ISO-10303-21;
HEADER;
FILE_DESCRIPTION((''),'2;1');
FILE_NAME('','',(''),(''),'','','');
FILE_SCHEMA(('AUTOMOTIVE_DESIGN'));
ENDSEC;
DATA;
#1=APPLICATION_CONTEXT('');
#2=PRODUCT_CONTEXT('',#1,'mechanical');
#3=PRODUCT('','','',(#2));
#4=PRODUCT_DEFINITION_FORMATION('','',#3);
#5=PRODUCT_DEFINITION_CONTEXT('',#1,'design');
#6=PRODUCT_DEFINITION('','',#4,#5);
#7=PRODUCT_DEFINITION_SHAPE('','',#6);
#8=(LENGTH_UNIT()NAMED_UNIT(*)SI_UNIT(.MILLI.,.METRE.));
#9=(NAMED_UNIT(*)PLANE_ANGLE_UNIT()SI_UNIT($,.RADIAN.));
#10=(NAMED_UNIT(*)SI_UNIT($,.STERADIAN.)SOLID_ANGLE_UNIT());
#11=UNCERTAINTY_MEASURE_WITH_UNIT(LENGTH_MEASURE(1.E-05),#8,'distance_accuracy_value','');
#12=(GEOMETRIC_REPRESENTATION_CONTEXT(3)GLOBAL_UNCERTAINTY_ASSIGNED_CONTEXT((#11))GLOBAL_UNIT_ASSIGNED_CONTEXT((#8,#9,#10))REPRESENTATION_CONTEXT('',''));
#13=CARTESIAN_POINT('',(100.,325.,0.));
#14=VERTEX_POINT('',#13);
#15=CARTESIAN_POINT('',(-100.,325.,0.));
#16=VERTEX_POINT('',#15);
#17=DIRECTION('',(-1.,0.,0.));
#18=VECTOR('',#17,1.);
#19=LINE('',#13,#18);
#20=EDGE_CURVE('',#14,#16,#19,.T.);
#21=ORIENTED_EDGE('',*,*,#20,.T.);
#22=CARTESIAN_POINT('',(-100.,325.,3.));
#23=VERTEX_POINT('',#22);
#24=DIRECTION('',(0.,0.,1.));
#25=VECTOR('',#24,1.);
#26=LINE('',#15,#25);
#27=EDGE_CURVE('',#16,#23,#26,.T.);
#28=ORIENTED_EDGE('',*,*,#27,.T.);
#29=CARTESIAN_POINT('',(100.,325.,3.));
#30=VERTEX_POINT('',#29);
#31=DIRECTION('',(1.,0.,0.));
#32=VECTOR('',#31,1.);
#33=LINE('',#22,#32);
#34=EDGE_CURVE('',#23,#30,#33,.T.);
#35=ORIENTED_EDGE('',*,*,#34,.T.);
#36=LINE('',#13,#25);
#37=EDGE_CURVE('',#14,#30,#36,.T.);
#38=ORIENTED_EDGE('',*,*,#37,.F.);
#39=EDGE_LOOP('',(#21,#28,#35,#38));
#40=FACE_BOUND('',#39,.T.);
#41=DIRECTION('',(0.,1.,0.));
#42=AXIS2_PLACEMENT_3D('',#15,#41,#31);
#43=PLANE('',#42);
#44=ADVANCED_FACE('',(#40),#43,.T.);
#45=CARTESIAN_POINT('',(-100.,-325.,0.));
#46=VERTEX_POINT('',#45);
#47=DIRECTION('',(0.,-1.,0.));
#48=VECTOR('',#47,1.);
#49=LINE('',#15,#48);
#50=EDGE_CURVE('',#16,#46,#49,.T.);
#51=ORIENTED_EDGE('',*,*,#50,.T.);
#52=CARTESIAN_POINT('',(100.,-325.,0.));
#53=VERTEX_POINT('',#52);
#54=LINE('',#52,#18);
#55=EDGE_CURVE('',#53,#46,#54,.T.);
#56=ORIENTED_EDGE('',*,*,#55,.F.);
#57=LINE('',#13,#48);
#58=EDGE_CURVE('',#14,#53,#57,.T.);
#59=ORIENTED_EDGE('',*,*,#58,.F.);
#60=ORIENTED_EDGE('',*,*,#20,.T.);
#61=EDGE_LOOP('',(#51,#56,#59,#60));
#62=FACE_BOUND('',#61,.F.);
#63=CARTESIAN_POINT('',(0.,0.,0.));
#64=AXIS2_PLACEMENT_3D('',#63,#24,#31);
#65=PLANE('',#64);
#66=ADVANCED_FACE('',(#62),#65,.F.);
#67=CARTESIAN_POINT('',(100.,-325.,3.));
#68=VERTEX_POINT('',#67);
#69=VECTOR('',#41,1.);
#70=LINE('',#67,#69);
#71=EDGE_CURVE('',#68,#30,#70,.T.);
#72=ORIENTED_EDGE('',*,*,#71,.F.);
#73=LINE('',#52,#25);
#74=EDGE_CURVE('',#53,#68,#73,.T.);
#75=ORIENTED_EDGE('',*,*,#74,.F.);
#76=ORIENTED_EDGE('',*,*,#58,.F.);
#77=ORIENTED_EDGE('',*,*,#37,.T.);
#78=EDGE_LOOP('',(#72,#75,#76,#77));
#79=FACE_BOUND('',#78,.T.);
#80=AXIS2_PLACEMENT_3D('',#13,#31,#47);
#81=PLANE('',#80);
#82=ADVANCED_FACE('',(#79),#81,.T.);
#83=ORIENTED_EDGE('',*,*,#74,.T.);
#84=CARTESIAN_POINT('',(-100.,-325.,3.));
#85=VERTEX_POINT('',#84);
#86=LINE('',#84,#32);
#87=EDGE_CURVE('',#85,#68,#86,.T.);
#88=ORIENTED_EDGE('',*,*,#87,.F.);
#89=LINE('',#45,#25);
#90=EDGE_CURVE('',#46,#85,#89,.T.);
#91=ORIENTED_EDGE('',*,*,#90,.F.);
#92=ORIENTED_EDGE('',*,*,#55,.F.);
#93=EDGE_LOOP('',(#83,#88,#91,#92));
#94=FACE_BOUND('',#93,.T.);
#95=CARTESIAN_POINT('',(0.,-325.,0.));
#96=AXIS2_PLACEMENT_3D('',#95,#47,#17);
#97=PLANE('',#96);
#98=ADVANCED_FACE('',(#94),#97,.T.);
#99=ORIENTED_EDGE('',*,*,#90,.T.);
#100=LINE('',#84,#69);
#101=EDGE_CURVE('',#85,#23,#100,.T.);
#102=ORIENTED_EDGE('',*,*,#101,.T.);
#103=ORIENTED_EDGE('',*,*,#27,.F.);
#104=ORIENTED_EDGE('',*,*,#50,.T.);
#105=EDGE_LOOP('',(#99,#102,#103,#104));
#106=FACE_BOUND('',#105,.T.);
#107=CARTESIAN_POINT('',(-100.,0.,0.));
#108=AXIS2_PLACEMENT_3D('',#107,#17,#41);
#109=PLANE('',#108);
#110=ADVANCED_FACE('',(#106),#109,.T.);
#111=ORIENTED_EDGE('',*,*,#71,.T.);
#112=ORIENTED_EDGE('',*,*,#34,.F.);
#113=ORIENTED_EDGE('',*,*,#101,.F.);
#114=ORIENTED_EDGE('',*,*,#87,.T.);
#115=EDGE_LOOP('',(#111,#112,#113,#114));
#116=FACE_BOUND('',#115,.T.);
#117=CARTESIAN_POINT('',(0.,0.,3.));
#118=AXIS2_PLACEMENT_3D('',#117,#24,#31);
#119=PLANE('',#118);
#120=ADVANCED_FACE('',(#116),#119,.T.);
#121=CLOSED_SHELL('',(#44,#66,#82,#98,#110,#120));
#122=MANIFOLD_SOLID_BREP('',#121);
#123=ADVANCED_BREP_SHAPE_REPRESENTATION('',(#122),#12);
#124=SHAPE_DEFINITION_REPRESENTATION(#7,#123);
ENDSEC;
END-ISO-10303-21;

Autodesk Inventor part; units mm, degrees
ref_plane "YZ Plane" through (0, 0, 0) normal (1, 0, 0) x (0, 1, 0)
ref_plane "XZ Plane" through (0, 0, 0) normal (0, 1, 0) x (-1, 0, 0)
ref_plane "XY Plane" through (0, 0, 0) normal (0, 0, 1) x (1, 0, 0)
sketch "Skizze1" plane through (0, 0, 0) normal (0, 0, 1) x (1, 0, 0)
  line L0 (-100, 325) -> (100, 325)
  line L1 (100, 325) -> (100, -325)
  line L2 (100, -325) -> (-100, -325)
  line L3 (-100, -325) -> (-100, 325)
  line L4 (0, 455) -> (0, -455) projected
  line L5 (-140, 0) -> (140, 0) projected
  point P0 (0, 0)
  point P1 (0, 325)
  point P2 (100, 0)
  dimension "d0" = 200
  dimension "d1" = 650
extrude "Extrusion1" add sketch "Skizze1" along normal blind 3
properties part number "HousingCage_Sidepanel_long" material "PMMA Plastic"
